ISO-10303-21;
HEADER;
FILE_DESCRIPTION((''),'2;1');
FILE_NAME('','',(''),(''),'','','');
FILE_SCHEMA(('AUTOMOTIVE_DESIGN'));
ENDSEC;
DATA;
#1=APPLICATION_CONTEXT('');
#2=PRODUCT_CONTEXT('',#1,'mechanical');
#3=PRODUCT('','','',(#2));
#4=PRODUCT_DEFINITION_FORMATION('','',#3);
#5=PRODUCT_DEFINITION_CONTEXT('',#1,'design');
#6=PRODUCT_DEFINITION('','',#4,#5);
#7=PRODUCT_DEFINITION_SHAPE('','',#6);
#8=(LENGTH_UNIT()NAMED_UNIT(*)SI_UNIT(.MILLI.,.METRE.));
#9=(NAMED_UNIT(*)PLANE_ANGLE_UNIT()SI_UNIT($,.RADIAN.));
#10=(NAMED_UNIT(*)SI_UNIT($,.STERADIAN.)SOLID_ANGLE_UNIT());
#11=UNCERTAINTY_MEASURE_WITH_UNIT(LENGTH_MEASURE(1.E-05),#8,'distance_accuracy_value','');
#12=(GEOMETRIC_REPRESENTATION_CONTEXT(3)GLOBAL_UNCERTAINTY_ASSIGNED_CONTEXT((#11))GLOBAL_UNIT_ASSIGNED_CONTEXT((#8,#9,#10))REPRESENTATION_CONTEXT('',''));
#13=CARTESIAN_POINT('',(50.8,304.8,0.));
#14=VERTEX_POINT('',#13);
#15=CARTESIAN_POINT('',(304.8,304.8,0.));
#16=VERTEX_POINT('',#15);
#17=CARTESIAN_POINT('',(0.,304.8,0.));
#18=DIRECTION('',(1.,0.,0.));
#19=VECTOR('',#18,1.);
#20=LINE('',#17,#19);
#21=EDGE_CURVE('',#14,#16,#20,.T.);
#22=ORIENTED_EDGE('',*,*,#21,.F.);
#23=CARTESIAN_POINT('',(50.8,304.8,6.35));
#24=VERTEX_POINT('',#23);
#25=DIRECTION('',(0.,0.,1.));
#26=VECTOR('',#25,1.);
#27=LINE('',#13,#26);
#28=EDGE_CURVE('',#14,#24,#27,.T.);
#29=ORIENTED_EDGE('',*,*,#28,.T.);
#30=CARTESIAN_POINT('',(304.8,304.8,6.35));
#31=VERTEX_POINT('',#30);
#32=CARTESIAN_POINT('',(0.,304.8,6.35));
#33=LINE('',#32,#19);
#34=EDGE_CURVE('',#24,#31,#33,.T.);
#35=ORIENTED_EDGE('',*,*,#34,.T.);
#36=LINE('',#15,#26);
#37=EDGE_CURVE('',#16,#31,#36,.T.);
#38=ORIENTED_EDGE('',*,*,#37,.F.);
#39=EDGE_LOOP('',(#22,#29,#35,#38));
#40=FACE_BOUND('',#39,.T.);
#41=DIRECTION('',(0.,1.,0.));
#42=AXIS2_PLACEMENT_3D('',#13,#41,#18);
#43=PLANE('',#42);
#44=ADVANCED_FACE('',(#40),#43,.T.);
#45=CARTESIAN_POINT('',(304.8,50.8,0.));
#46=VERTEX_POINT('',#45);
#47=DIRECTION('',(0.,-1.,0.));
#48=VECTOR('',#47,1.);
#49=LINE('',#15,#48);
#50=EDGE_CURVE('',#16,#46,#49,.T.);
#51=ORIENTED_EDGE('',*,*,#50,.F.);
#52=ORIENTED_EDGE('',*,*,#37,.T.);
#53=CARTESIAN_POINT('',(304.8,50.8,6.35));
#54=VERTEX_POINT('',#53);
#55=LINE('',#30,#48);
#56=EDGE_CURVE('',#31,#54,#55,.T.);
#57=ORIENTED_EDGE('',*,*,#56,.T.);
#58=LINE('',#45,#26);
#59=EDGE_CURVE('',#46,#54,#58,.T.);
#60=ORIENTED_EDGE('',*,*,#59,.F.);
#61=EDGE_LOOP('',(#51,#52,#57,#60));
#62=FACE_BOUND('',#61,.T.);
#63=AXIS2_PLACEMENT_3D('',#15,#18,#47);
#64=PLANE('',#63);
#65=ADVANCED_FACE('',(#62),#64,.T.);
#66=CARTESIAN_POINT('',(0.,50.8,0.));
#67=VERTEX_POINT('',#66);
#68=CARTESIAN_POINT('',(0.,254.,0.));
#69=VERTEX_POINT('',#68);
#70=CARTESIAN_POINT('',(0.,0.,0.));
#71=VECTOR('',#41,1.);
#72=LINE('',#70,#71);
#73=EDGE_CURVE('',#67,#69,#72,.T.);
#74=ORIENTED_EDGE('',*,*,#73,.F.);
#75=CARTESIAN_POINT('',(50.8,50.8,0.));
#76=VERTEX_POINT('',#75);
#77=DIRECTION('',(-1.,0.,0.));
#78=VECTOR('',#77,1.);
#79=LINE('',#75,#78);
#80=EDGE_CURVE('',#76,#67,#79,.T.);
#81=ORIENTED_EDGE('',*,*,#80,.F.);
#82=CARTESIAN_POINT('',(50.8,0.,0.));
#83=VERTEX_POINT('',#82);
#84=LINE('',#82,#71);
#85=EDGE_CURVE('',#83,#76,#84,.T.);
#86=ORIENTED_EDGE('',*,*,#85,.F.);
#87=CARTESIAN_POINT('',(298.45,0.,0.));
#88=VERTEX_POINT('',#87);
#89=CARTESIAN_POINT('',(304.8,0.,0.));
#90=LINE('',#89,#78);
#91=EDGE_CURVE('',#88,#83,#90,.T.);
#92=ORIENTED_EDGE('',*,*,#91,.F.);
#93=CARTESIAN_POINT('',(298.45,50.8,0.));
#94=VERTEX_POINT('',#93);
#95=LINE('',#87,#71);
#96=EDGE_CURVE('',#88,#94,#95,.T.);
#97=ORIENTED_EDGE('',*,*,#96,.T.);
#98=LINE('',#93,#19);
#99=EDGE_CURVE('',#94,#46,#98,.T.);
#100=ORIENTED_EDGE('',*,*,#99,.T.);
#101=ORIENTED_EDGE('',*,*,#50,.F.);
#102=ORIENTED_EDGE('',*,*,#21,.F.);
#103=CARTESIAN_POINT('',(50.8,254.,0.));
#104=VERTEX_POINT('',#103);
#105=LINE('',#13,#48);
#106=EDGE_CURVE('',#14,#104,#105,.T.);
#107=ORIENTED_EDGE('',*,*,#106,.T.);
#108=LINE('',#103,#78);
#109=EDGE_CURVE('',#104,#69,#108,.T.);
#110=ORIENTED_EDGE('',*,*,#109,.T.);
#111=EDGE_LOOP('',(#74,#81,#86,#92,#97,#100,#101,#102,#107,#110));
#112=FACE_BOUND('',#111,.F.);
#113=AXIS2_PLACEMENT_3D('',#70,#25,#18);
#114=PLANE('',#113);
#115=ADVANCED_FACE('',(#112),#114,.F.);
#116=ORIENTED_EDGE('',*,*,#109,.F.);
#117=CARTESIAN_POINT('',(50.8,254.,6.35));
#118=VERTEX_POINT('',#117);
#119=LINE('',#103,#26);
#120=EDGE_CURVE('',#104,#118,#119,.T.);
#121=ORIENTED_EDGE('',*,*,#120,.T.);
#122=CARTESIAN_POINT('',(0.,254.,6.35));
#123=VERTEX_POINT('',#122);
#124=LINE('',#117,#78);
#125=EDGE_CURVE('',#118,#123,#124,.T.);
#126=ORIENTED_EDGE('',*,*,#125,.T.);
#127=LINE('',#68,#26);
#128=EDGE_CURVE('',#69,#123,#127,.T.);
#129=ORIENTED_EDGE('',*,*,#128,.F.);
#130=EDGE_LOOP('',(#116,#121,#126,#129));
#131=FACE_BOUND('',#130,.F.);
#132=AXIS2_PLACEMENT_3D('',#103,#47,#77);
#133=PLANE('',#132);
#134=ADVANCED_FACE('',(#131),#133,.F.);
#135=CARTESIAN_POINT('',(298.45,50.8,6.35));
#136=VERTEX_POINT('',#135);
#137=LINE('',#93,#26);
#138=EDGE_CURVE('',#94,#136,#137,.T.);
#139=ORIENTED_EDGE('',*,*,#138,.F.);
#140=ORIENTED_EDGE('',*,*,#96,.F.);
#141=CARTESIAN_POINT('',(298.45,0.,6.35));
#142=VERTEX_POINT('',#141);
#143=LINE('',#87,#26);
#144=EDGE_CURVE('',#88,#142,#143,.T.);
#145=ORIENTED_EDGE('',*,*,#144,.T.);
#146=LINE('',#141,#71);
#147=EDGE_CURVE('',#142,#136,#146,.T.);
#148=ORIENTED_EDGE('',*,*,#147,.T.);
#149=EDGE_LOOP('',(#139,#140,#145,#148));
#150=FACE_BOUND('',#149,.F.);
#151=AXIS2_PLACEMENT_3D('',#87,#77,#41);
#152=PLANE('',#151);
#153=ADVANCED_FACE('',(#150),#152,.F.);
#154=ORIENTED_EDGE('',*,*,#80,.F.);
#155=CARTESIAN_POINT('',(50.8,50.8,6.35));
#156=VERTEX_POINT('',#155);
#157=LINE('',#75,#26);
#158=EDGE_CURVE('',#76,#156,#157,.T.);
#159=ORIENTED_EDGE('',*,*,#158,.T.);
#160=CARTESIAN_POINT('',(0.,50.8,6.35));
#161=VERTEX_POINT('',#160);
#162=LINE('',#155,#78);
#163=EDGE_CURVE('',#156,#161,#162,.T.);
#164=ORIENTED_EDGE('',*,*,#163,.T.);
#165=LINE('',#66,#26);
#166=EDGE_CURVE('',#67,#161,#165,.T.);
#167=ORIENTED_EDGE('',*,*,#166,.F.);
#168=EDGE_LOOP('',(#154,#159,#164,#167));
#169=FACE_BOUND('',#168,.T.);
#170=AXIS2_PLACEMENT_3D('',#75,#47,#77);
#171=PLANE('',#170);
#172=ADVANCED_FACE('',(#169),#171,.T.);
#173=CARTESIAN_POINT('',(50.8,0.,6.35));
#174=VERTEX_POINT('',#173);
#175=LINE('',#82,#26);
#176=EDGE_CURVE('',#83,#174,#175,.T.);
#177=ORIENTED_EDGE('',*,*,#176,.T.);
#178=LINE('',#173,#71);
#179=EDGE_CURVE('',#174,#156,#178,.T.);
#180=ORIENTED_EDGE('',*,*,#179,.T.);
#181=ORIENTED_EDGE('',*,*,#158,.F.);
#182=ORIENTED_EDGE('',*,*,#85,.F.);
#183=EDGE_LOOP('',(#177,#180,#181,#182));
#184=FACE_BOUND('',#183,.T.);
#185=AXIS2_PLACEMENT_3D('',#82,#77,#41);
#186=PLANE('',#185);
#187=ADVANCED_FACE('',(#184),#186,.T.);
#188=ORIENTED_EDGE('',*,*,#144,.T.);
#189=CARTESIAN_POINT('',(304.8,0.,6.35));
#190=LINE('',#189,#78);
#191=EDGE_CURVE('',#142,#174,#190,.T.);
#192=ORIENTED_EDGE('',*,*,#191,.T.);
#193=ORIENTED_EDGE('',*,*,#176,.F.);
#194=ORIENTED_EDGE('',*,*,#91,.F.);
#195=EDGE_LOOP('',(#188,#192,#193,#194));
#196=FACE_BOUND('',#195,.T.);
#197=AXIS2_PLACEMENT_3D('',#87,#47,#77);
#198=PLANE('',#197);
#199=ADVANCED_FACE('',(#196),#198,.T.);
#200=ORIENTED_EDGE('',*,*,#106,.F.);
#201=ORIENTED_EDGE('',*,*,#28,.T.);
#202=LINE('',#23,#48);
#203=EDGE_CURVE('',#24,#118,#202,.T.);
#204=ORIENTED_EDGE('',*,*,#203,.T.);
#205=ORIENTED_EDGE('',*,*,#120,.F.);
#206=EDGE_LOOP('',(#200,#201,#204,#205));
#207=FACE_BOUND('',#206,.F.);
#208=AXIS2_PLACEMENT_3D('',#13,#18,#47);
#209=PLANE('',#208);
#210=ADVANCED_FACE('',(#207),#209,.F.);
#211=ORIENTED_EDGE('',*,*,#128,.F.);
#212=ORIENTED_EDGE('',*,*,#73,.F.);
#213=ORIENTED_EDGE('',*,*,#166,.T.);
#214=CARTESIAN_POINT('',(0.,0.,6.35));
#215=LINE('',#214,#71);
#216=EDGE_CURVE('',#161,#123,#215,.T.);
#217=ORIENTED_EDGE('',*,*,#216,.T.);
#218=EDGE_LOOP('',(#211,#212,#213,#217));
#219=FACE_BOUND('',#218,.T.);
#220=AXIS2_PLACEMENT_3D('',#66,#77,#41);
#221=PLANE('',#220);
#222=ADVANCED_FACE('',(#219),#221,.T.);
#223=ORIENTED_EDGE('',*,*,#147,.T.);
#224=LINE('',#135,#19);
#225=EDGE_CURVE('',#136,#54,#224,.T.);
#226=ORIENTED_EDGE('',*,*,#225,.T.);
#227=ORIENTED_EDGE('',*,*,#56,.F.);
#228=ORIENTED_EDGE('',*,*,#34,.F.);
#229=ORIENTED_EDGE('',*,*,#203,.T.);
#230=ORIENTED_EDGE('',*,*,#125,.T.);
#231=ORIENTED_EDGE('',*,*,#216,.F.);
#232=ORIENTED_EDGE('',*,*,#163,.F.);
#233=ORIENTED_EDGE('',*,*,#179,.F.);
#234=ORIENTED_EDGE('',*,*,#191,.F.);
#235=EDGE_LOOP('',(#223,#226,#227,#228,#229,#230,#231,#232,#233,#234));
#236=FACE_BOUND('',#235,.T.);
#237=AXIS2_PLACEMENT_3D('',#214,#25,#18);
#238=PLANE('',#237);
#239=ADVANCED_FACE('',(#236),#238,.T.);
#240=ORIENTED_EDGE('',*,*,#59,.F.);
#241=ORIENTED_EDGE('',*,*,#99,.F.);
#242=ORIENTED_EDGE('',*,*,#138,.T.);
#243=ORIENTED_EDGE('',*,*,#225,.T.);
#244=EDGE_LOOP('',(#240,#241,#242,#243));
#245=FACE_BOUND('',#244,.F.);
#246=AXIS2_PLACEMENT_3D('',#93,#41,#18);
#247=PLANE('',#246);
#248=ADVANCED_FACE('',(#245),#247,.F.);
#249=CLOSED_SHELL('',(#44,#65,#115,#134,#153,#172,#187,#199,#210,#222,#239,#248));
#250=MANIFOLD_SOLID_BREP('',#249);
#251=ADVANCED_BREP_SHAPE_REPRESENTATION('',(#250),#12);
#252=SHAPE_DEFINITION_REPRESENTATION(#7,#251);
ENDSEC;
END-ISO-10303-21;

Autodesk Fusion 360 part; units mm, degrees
sketch "Sketch1" plane through (0, 0, 0) normal (0, 0, 1) x (1, 0, 0)
  line L0 (0, 0) -> (0, 304.8)
  line L1 (0, 304.8) -> (304.8, 304.8)
  line L2 (304.8, 304.8) -> (304.8, 0)
  line L3 (304.8, 0) -> (0, 0)
  line L4 (0, 0) -> (50.8, 0)
  line L5 (50.8, 0) -> (50.8, 50.8)
  line L6 (50.8, 50.8) -> (0, 50.8)
  line L7 (0, 50.8) -> (0, 0)
  line L8 (0, 304.8) -> (50.8, 304.8)
  line L9 (50.8, 304.8) -> (50.8, 254)
  line L10 (50.8, 254) -> (0, 254)
  line L11 (0, 254) -> (0, 304.8)
  line L12 (304.8, 0) -> (298.45, 0)
  line L13 (298.45, 0) -> (298.45, 50.8)
  line L14 (298.45, 50.8) -> (304.8, 50.8)
  line L15 (304.8, 50.8) -> (304.8, 0)
  dimension "d2" = 304.8
  dimension "d3" = 304.8
  dimension "d10" = 50.8
  dimension "d13" = 50.8
  dimension "d14" = 6.35
  dimension "d17" = 50.8
extrude "Extrude1" add sketch "Sketch1" along normal blind 6.35 contours L0 L1 L2 L3 L5 L6 L9 L10 L13 L14
